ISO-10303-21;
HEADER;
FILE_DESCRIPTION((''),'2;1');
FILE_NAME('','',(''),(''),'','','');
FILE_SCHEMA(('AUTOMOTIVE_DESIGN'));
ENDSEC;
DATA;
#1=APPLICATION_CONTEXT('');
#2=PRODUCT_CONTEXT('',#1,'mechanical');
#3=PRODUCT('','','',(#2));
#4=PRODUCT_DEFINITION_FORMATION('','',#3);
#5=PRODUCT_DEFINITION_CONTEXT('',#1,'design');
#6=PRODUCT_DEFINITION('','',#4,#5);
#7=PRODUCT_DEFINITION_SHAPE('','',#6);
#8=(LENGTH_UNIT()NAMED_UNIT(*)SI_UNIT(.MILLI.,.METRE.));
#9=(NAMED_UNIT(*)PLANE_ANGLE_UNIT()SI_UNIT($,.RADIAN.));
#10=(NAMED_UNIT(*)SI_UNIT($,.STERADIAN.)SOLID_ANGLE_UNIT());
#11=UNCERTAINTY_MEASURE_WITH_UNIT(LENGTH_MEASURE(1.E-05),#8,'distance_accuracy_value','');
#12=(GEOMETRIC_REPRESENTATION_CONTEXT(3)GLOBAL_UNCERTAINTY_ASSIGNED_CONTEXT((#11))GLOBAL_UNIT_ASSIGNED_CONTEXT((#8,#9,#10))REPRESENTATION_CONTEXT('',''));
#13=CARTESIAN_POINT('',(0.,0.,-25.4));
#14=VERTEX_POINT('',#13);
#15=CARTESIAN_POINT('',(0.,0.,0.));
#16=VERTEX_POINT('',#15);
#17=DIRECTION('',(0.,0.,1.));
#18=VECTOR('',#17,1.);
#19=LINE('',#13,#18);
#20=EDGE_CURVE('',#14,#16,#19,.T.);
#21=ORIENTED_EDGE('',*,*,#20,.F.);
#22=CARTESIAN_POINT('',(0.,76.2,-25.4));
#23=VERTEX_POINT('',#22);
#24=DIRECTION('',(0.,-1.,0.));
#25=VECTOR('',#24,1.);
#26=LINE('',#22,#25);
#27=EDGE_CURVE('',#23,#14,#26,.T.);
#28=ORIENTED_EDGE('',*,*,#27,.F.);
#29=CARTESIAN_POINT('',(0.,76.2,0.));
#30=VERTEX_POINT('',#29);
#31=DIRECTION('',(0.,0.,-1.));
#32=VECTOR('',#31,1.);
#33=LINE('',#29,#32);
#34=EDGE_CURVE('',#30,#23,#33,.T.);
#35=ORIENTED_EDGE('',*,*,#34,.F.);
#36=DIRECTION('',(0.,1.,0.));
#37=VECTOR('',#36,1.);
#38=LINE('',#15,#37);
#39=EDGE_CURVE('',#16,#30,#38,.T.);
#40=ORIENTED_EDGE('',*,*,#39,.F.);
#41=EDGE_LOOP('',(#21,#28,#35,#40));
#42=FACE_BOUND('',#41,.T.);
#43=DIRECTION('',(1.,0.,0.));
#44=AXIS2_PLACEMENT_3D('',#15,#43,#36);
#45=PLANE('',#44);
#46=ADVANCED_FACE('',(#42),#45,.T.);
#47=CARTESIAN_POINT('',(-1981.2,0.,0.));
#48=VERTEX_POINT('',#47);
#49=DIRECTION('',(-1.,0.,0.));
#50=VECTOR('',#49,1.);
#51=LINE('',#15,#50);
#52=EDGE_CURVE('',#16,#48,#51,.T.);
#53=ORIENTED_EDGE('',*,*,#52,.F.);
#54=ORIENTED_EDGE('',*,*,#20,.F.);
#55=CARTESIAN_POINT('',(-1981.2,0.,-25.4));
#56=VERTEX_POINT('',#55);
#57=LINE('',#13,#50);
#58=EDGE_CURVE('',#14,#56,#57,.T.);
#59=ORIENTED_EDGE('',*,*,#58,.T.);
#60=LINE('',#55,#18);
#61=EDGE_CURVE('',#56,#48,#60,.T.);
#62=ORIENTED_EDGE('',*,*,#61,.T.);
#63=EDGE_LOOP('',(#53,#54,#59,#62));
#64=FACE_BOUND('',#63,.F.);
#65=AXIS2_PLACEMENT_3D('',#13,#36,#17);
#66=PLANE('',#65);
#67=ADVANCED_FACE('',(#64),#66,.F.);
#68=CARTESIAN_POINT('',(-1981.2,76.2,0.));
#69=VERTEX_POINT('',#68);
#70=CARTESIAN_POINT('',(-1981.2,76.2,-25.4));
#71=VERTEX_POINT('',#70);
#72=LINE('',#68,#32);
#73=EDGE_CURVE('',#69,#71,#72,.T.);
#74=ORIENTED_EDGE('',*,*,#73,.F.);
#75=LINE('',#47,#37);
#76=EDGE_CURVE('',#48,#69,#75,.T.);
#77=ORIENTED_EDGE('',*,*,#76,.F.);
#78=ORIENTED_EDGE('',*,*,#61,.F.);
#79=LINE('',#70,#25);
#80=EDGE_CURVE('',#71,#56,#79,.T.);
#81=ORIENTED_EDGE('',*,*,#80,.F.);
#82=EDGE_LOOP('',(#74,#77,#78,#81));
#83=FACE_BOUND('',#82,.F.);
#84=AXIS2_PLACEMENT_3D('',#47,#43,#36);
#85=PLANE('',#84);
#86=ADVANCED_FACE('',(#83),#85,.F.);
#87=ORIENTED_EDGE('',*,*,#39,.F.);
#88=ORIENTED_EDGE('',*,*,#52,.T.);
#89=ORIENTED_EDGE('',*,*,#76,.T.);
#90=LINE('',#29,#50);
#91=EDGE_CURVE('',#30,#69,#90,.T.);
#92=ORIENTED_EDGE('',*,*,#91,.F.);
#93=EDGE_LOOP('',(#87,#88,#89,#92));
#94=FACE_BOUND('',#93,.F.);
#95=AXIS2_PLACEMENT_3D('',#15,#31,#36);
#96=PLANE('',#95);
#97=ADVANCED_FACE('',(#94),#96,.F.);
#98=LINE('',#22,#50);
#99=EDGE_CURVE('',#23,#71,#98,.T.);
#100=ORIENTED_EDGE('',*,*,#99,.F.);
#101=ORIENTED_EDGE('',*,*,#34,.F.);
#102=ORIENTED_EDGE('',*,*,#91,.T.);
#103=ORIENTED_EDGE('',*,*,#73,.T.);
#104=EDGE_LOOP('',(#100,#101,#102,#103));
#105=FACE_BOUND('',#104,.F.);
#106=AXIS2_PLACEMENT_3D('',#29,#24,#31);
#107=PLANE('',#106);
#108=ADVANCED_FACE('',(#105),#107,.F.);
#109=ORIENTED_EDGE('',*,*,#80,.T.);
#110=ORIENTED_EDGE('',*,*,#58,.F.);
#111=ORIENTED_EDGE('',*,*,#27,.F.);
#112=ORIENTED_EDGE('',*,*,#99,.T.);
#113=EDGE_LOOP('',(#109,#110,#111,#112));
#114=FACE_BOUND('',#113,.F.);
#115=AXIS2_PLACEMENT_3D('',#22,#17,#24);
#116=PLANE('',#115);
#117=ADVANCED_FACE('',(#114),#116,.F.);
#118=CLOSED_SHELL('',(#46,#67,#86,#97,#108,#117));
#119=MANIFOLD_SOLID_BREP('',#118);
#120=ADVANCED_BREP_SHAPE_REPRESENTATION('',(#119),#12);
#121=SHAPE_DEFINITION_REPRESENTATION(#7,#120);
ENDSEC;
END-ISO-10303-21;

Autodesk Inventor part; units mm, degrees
ref_plane "YZ Plane" through (0, 0, 0) normal (1, 0, 0) x (0, 1, 0)
ref_plane "XZ Plane" through (0, 0, 0) normal (0, 1, 0) x (-1, 0, 0)
ref_plane "XY Plane" through (0, 0, 0) normal (0, 0, 1) x (1, 0, 0)
sketch "Sketch1" plane through (0, 0, 0) normal (1, 0, 0) x (0, 1, 0)
  line L0 (0, 0) -> (76.2, 0)
  line L1 (76.2, 0) -> (76.2, -25.4)
  line L2 (76.2, -25.4) -> (0, -25.4)
  line L3 (0, -25.4) -> (0, 0)
  dimension "d0" = 25.4
  dimension "d1" = 76.2
extrude "Extrusion1" add sketch "Sketch1" against normal blind 1981.2
properties part number "Beam--1x3"
